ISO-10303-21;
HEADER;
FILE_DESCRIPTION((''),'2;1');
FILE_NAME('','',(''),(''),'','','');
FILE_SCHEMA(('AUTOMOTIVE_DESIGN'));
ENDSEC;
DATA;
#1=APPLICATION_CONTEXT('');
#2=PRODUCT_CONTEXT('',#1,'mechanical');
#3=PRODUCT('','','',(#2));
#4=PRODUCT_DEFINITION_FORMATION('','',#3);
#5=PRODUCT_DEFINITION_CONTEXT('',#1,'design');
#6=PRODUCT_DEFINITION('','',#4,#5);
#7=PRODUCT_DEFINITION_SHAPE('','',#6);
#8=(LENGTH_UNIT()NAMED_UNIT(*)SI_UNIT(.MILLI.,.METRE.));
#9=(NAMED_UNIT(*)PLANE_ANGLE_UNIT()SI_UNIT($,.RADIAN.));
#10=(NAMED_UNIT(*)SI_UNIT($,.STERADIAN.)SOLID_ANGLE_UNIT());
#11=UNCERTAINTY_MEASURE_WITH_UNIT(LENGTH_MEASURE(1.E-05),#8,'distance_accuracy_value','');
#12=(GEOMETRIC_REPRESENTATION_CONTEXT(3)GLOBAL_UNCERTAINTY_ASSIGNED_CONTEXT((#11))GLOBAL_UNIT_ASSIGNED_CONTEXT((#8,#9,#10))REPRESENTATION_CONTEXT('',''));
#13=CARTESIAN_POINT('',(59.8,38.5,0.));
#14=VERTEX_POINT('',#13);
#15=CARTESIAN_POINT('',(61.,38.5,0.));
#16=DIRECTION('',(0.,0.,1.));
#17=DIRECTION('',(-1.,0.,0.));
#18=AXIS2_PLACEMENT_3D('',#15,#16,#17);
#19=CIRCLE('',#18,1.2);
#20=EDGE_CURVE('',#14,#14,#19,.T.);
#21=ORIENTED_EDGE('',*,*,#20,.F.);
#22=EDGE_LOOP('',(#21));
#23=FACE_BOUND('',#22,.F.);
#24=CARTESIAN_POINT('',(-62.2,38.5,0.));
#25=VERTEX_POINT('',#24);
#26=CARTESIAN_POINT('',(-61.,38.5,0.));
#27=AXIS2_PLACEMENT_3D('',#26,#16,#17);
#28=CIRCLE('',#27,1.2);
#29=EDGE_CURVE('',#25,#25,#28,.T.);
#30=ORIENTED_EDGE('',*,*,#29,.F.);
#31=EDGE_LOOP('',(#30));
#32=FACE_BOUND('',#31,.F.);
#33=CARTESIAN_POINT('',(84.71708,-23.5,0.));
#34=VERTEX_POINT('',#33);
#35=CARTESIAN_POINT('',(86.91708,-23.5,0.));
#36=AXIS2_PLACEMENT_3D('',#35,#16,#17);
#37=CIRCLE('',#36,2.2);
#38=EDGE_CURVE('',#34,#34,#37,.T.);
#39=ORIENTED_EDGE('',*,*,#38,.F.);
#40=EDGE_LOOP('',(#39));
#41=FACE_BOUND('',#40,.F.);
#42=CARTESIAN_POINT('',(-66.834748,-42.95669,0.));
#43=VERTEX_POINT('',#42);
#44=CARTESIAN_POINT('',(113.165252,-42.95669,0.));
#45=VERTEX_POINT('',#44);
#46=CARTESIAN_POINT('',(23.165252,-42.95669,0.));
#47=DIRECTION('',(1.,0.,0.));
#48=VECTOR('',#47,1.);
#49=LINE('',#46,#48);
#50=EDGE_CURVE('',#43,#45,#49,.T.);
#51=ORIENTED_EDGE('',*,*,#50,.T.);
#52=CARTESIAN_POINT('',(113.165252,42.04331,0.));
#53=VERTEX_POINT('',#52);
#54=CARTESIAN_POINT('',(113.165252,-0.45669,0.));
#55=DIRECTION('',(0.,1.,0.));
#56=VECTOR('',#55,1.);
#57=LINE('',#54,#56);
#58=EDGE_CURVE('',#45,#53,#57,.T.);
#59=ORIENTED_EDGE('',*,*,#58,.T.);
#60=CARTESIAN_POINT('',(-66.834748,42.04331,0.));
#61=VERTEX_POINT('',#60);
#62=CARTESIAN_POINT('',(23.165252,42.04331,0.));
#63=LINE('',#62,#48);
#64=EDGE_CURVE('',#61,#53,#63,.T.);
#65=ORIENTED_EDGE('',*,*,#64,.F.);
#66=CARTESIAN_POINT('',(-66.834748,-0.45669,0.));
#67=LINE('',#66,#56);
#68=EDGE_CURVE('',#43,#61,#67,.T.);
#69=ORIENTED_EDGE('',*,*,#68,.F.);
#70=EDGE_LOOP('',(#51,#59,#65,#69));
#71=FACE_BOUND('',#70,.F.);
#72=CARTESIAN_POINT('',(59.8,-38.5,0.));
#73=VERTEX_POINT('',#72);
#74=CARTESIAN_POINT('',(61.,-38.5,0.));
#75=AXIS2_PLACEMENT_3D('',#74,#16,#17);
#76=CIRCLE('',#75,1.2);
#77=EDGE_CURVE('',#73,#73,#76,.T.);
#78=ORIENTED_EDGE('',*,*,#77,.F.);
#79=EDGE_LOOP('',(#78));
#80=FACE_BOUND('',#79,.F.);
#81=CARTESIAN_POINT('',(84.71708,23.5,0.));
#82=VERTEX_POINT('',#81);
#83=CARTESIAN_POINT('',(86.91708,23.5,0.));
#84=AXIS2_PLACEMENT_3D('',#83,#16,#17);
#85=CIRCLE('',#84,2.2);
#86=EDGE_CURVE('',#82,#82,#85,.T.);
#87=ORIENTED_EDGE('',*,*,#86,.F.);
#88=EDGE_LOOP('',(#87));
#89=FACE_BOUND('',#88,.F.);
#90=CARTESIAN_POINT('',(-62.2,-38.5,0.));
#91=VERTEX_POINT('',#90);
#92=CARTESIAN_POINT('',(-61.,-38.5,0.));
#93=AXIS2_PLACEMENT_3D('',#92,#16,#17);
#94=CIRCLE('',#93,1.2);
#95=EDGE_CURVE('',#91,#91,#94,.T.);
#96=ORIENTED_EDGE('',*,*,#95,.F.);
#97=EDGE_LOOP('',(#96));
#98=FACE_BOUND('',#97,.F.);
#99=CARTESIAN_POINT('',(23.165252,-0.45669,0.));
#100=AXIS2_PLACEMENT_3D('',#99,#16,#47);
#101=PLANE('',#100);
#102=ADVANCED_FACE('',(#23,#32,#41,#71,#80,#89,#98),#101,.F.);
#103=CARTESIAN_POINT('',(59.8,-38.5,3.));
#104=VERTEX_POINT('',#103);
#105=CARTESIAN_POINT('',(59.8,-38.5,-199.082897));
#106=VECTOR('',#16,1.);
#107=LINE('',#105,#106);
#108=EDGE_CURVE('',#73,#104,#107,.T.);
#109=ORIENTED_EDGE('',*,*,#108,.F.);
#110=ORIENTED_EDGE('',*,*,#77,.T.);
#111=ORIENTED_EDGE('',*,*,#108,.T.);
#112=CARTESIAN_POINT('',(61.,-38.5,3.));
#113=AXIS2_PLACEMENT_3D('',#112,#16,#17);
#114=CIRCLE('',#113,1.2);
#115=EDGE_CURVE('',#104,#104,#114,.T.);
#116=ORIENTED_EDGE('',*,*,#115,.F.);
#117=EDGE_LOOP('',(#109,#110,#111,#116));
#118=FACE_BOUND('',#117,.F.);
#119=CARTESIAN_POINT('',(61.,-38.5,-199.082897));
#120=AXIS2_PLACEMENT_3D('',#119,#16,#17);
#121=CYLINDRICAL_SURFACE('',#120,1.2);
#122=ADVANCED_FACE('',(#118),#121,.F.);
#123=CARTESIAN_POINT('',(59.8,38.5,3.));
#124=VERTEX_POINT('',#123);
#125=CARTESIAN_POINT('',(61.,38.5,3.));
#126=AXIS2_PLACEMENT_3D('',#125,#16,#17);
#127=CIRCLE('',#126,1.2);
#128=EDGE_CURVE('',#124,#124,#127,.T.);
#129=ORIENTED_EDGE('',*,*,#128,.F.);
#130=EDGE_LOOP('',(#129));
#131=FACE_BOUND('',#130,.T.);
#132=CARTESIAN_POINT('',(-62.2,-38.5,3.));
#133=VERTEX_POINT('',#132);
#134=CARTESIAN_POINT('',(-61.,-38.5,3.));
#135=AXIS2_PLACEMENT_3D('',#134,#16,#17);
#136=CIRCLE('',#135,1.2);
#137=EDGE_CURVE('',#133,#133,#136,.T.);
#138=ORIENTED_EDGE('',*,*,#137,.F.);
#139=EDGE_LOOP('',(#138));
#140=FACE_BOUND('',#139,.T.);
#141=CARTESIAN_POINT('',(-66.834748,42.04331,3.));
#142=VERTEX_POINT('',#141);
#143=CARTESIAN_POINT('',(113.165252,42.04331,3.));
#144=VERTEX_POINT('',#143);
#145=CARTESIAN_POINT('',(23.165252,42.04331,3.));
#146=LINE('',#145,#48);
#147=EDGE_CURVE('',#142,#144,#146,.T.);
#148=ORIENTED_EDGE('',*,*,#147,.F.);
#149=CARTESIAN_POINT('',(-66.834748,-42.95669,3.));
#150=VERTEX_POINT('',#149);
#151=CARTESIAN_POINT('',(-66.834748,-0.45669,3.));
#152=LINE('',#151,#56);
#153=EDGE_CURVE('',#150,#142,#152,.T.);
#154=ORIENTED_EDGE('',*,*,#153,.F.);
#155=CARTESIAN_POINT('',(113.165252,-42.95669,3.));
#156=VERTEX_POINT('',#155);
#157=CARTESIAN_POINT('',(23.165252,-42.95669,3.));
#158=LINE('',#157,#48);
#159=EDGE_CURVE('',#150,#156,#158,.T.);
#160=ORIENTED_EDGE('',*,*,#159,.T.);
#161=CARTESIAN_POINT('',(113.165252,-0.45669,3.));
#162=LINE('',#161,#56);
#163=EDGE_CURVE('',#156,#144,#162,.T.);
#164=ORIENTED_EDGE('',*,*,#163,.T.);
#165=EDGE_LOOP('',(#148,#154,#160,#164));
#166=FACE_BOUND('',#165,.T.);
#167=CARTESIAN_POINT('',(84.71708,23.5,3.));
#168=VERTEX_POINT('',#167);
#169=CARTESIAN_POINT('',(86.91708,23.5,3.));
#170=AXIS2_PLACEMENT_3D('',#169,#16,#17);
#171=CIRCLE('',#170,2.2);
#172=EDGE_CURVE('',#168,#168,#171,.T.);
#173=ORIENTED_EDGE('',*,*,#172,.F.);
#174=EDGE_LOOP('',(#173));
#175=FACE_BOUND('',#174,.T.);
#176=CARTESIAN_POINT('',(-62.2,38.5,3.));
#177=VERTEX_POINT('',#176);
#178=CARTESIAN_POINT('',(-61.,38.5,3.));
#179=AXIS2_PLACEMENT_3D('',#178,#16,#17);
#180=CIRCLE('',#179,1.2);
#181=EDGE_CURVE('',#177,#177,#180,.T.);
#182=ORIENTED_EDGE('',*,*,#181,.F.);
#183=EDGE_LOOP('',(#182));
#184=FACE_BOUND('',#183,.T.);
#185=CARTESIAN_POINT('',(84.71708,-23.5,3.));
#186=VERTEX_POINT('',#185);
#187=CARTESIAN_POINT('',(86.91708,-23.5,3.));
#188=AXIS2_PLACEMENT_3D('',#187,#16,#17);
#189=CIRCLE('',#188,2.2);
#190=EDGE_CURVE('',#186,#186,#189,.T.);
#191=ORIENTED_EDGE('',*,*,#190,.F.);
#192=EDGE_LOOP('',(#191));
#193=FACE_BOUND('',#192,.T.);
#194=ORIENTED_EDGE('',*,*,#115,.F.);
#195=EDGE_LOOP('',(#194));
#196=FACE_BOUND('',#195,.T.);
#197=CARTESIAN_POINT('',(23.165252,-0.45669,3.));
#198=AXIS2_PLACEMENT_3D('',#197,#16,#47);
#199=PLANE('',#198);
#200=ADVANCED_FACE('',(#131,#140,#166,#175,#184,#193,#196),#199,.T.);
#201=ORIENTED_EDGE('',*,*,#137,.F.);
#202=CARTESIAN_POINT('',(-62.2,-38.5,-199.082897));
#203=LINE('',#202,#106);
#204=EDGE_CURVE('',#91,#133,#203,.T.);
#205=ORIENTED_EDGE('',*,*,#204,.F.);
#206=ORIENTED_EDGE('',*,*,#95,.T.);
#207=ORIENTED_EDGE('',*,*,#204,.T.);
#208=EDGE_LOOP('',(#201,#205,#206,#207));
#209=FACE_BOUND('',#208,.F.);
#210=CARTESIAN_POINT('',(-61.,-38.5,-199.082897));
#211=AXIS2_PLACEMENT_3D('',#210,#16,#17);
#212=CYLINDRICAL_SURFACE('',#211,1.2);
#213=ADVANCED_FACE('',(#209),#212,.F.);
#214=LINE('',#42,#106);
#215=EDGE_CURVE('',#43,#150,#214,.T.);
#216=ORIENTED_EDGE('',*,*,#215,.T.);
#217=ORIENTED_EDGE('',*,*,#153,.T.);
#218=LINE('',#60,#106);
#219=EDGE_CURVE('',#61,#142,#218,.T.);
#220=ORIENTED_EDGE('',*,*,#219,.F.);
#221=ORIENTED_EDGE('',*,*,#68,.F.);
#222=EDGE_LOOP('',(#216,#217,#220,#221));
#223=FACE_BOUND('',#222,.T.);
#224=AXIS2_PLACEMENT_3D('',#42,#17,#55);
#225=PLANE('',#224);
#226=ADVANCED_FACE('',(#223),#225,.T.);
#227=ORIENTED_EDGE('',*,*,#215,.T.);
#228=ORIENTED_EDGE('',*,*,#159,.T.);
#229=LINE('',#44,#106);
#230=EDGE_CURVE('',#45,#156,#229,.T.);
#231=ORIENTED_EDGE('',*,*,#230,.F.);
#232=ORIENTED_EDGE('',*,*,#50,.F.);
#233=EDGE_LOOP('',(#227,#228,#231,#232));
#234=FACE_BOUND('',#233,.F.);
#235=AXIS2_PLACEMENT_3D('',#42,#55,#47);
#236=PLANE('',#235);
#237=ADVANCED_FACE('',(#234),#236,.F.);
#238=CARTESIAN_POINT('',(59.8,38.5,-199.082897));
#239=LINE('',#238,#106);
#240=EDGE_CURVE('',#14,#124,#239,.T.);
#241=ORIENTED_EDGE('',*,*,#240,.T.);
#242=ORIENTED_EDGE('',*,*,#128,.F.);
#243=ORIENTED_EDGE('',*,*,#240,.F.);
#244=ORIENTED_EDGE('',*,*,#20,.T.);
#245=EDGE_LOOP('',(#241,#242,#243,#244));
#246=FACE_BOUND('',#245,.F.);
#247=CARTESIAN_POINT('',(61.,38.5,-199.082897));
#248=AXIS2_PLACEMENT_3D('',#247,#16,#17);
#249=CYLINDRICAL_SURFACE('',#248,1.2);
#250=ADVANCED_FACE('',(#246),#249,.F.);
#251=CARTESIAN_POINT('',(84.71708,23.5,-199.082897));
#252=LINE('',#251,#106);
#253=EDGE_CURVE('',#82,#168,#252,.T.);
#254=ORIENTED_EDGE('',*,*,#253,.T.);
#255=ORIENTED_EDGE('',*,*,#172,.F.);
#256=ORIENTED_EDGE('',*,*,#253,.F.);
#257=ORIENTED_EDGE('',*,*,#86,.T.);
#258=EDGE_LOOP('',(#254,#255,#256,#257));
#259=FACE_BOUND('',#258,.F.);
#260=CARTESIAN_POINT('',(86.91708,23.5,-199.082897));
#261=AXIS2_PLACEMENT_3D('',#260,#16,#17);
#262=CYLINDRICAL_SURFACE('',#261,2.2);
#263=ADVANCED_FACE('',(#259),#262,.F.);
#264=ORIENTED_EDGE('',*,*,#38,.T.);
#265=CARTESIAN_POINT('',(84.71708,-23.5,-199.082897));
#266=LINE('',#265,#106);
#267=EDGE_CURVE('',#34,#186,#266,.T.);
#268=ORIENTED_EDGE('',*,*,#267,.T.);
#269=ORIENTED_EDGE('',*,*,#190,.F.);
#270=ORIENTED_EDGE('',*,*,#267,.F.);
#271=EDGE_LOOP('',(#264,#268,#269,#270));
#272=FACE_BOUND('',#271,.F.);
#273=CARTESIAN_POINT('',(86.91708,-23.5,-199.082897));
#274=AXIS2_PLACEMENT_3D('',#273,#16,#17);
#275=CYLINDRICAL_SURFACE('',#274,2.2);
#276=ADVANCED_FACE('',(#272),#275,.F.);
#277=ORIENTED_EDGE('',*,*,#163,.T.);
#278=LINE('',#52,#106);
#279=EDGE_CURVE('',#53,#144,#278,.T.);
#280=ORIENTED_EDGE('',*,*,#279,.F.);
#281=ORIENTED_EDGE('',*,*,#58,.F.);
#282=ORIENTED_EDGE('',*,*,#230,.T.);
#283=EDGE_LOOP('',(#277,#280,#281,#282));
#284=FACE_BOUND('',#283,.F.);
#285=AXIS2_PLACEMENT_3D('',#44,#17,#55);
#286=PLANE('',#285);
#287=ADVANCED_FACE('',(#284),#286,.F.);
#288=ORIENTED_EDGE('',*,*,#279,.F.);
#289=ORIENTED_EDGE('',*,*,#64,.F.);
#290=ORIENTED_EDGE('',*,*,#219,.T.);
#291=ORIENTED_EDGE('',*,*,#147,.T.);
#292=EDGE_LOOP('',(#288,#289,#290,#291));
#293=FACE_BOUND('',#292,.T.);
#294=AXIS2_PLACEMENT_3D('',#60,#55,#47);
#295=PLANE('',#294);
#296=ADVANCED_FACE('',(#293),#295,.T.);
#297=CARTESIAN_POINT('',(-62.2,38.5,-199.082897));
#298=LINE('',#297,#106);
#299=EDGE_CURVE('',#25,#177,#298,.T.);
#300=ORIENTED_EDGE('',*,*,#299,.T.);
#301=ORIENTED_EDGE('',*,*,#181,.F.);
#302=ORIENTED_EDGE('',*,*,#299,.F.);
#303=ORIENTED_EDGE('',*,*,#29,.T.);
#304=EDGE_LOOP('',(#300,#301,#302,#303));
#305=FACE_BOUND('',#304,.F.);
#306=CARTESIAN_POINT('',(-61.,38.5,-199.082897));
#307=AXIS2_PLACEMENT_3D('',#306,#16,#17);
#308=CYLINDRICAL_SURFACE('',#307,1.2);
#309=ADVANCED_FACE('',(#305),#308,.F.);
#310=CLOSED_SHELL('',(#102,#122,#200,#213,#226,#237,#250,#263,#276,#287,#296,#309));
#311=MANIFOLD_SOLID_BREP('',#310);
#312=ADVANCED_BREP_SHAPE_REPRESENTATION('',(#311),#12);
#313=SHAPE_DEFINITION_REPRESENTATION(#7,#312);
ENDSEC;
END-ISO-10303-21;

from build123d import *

# Parameters (mm, degrees)
F0_W     = 180
F0_H     = 85
F1_DEPTH = 3
F2_D     = 2.4
F3_D     = 4.4


with BuildPart() as f1:
    # F0 (on Top) → F1 (new body)
    with BuildSketch(Plane.XY):
        with Locations((23.1652522087, -0.4566903412)):
            Rectangle(F0_W, F0_H)
    extrude(amount=F1_DEPTH)

    # F2 (through all)
    with Locations(Plane(origin=(0, 0, 0), x_dir=(1, 0, 0), z_dir=(0, 0, -1))):
        with Locations((-61, 38.5), (-61, -38.5), (61, 38.5), (61, -38.5)):
            Hole(F2_D / 2)

    # F3 (through all)
    with Locations(Plane(origin=(0, 0, 0), x_dir=(1, 0, 0), z_dir=(0, 0, -1))):
        with Locations((86.9170799851, -23.5), (86.9170799851, 23.5)):
            Hole(F3_D / 2)


solid = f1.part
